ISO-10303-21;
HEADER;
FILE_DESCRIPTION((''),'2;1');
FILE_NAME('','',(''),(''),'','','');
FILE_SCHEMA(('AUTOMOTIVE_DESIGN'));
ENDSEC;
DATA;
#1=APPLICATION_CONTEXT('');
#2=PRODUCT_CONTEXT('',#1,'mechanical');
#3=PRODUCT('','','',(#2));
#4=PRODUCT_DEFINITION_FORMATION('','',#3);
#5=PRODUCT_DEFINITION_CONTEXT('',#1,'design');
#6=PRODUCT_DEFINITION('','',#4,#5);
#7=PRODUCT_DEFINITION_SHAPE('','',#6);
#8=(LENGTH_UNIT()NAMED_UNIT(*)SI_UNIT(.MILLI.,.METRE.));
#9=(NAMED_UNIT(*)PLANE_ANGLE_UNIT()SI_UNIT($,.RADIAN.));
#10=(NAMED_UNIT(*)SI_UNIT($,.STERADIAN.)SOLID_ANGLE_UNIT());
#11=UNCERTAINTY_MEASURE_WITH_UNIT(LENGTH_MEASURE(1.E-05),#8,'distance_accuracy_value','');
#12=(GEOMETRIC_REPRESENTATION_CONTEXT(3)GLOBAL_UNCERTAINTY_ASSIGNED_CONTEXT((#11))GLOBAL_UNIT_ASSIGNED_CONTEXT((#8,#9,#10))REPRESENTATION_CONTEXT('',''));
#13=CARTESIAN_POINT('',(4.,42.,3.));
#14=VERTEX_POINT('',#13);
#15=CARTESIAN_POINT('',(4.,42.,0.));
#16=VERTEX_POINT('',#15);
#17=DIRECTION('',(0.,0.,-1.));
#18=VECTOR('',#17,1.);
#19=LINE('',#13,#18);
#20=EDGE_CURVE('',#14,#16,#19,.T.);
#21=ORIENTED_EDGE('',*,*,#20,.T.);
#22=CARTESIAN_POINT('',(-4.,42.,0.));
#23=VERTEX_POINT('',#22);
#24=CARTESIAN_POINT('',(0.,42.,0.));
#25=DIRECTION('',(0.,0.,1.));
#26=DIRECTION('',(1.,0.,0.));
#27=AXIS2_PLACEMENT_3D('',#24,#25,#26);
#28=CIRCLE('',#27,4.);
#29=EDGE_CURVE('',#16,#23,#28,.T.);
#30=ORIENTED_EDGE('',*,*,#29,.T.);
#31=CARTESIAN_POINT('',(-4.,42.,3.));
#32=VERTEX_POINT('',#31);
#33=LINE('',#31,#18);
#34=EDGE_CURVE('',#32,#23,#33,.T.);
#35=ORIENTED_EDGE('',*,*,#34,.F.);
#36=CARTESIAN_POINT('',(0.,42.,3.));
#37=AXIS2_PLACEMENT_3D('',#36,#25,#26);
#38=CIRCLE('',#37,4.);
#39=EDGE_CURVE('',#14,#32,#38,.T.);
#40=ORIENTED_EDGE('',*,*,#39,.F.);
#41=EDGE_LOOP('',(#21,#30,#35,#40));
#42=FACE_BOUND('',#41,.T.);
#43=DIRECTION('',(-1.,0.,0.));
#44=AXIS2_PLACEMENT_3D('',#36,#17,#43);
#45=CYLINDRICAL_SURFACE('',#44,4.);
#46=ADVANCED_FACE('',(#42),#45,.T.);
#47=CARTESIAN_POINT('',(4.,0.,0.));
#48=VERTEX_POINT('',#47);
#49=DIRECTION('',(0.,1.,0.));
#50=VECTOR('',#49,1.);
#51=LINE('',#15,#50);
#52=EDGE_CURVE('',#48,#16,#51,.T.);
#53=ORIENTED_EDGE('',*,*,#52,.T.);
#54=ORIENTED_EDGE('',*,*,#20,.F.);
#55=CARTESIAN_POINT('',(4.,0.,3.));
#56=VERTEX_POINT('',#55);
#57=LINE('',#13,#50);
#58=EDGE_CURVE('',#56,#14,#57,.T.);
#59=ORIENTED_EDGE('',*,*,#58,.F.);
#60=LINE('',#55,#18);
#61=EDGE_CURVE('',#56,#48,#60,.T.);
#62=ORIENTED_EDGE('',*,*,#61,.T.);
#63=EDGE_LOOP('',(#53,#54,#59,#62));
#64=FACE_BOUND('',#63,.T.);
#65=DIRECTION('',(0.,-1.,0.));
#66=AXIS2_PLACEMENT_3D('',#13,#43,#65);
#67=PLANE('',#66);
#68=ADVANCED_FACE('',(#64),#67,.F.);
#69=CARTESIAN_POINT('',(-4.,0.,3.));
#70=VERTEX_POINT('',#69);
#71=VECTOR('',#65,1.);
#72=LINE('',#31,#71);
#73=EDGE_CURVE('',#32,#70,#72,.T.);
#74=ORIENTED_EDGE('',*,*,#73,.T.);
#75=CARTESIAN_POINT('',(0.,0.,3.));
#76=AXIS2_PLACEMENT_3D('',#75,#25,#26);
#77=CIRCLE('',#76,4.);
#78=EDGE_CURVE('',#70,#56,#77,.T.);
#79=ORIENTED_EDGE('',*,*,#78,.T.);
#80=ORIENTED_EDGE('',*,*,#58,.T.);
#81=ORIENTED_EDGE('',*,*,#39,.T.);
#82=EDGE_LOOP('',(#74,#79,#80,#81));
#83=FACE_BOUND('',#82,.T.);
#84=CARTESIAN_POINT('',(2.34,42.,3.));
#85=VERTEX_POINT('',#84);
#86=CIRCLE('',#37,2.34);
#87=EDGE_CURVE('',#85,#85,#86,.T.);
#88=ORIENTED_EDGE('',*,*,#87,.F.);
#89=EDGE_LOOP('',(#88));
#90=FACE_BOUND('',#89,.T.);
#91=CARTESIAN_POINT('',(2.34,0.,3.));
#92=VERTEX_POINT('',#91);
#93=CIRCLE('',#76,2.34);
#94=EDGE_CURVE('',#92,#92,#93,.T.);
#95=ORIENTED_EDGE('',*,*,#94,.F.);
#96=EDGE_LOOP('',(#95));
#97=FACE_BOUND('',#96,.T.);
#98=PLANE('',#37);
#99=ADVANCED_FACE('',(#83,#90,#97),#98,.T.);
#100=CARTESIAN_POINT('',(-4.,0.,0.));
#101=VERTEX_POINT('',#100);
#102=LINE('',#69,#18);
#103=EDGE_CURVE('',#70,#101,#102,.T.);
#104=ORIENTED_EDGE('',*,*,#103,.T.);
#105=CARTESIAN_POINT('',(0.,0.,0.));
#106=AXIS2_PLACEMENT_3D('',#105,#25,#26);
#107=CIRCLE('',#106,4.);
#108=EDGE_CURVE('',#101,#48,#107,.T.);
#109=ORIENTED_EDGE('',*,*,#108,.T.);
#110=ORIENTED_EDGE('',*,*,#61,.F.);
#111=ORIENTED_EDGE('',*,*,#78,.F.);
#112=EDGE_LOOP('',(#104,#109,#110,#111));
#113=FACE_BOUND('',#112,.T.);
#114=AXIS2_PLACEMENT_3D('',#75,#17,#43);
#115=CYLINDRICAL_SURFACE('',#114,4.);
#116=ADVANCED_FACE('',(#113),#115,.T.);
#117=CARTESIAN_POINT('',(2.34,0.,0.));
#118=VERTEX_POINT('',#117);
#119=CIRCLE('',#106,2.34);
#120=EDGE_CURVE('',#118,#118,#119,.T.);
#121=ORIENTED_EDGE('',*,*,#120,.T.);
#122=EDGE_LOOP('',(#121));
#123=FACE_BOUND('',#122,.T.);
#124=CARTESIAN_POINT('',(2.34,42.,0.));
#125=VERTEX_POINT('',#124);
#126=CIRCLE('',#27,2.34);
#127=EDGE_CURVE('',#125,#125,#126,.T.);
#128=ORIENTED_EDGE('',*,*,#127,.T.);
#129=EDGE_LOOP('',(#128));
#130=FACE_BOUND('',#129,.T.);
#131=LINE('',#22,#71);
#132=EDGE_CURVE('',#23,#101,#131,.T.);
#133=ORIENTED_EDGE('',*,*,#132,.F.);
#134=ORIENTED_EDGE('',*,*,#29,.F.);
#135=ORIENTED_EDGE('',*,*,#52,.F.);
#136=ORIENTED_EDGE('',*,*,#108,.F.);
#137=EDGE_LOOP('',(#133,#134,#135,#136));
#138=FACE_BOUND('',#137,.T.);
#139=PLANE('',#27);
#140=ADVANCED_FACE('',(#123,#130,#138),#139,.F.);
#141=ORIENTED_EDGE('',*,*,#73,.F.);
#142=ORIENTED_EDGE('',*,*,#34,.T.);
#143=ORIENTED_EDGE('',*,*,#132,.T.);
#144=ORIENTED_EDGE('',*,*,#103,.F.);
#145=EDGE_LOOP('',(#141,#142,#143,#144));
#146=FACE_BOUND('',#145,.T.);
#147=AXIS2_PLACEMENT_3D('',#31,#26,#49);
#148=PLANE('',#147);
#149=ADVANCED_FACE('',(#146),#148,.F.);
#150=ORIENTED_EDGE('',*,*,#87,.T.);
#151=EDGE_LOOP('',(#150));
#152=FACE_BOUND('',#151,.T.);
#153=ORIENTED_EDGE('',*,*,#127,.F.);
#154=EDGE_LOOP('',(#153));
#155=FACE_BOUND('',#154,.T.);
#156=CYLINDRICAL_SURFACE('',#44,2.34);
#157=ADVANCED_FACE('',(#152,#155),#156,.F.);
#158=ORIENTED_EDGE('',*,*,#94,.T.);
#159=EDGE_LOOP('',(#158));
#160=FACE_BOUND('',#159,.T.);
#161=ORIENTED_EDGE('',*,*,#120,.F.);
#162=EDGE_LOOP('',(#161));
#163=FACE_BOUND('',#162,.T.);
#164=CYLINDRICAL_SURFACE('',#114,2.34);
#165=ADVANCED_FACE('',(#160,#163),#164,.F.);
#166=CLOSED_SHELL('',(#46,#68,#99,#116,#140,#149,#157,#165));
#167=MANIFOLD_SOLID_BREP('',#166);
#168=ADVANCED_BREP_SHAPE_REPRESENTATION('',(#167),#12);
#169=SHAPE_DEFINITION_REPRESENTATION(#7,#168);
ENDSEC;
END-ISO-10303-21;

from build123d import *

# Parameters (mm, degrees)
SKETCH1_R           = 2.34
BOSS_EXTRUDE1_DEPTH = 3


with BuildPart() as part:
    # Sketch1 → Boss-Extrude1 (new body)
    with BuildSketch(Plane.XY):
        with BuildLine():
            Line((-4, 42), (-4, 0))
            ThreePointArc((-4, 0), (0, -4), (4, 0))
            Line((4, 0), (4, 42))
            ThreePointArc((4, 42), (0, 46), (-4, 42))
        make_face()
        Circle(SKETCH1_R, mode=Mode.SUBTRACT)
        with Locations((0, 42)):
            Circle(SKETCH1_R, mode=Mode.SUBTRACT)
    extrude(amount=BOSS_EXTRUDE1_DEPTH)


solid = part.part
